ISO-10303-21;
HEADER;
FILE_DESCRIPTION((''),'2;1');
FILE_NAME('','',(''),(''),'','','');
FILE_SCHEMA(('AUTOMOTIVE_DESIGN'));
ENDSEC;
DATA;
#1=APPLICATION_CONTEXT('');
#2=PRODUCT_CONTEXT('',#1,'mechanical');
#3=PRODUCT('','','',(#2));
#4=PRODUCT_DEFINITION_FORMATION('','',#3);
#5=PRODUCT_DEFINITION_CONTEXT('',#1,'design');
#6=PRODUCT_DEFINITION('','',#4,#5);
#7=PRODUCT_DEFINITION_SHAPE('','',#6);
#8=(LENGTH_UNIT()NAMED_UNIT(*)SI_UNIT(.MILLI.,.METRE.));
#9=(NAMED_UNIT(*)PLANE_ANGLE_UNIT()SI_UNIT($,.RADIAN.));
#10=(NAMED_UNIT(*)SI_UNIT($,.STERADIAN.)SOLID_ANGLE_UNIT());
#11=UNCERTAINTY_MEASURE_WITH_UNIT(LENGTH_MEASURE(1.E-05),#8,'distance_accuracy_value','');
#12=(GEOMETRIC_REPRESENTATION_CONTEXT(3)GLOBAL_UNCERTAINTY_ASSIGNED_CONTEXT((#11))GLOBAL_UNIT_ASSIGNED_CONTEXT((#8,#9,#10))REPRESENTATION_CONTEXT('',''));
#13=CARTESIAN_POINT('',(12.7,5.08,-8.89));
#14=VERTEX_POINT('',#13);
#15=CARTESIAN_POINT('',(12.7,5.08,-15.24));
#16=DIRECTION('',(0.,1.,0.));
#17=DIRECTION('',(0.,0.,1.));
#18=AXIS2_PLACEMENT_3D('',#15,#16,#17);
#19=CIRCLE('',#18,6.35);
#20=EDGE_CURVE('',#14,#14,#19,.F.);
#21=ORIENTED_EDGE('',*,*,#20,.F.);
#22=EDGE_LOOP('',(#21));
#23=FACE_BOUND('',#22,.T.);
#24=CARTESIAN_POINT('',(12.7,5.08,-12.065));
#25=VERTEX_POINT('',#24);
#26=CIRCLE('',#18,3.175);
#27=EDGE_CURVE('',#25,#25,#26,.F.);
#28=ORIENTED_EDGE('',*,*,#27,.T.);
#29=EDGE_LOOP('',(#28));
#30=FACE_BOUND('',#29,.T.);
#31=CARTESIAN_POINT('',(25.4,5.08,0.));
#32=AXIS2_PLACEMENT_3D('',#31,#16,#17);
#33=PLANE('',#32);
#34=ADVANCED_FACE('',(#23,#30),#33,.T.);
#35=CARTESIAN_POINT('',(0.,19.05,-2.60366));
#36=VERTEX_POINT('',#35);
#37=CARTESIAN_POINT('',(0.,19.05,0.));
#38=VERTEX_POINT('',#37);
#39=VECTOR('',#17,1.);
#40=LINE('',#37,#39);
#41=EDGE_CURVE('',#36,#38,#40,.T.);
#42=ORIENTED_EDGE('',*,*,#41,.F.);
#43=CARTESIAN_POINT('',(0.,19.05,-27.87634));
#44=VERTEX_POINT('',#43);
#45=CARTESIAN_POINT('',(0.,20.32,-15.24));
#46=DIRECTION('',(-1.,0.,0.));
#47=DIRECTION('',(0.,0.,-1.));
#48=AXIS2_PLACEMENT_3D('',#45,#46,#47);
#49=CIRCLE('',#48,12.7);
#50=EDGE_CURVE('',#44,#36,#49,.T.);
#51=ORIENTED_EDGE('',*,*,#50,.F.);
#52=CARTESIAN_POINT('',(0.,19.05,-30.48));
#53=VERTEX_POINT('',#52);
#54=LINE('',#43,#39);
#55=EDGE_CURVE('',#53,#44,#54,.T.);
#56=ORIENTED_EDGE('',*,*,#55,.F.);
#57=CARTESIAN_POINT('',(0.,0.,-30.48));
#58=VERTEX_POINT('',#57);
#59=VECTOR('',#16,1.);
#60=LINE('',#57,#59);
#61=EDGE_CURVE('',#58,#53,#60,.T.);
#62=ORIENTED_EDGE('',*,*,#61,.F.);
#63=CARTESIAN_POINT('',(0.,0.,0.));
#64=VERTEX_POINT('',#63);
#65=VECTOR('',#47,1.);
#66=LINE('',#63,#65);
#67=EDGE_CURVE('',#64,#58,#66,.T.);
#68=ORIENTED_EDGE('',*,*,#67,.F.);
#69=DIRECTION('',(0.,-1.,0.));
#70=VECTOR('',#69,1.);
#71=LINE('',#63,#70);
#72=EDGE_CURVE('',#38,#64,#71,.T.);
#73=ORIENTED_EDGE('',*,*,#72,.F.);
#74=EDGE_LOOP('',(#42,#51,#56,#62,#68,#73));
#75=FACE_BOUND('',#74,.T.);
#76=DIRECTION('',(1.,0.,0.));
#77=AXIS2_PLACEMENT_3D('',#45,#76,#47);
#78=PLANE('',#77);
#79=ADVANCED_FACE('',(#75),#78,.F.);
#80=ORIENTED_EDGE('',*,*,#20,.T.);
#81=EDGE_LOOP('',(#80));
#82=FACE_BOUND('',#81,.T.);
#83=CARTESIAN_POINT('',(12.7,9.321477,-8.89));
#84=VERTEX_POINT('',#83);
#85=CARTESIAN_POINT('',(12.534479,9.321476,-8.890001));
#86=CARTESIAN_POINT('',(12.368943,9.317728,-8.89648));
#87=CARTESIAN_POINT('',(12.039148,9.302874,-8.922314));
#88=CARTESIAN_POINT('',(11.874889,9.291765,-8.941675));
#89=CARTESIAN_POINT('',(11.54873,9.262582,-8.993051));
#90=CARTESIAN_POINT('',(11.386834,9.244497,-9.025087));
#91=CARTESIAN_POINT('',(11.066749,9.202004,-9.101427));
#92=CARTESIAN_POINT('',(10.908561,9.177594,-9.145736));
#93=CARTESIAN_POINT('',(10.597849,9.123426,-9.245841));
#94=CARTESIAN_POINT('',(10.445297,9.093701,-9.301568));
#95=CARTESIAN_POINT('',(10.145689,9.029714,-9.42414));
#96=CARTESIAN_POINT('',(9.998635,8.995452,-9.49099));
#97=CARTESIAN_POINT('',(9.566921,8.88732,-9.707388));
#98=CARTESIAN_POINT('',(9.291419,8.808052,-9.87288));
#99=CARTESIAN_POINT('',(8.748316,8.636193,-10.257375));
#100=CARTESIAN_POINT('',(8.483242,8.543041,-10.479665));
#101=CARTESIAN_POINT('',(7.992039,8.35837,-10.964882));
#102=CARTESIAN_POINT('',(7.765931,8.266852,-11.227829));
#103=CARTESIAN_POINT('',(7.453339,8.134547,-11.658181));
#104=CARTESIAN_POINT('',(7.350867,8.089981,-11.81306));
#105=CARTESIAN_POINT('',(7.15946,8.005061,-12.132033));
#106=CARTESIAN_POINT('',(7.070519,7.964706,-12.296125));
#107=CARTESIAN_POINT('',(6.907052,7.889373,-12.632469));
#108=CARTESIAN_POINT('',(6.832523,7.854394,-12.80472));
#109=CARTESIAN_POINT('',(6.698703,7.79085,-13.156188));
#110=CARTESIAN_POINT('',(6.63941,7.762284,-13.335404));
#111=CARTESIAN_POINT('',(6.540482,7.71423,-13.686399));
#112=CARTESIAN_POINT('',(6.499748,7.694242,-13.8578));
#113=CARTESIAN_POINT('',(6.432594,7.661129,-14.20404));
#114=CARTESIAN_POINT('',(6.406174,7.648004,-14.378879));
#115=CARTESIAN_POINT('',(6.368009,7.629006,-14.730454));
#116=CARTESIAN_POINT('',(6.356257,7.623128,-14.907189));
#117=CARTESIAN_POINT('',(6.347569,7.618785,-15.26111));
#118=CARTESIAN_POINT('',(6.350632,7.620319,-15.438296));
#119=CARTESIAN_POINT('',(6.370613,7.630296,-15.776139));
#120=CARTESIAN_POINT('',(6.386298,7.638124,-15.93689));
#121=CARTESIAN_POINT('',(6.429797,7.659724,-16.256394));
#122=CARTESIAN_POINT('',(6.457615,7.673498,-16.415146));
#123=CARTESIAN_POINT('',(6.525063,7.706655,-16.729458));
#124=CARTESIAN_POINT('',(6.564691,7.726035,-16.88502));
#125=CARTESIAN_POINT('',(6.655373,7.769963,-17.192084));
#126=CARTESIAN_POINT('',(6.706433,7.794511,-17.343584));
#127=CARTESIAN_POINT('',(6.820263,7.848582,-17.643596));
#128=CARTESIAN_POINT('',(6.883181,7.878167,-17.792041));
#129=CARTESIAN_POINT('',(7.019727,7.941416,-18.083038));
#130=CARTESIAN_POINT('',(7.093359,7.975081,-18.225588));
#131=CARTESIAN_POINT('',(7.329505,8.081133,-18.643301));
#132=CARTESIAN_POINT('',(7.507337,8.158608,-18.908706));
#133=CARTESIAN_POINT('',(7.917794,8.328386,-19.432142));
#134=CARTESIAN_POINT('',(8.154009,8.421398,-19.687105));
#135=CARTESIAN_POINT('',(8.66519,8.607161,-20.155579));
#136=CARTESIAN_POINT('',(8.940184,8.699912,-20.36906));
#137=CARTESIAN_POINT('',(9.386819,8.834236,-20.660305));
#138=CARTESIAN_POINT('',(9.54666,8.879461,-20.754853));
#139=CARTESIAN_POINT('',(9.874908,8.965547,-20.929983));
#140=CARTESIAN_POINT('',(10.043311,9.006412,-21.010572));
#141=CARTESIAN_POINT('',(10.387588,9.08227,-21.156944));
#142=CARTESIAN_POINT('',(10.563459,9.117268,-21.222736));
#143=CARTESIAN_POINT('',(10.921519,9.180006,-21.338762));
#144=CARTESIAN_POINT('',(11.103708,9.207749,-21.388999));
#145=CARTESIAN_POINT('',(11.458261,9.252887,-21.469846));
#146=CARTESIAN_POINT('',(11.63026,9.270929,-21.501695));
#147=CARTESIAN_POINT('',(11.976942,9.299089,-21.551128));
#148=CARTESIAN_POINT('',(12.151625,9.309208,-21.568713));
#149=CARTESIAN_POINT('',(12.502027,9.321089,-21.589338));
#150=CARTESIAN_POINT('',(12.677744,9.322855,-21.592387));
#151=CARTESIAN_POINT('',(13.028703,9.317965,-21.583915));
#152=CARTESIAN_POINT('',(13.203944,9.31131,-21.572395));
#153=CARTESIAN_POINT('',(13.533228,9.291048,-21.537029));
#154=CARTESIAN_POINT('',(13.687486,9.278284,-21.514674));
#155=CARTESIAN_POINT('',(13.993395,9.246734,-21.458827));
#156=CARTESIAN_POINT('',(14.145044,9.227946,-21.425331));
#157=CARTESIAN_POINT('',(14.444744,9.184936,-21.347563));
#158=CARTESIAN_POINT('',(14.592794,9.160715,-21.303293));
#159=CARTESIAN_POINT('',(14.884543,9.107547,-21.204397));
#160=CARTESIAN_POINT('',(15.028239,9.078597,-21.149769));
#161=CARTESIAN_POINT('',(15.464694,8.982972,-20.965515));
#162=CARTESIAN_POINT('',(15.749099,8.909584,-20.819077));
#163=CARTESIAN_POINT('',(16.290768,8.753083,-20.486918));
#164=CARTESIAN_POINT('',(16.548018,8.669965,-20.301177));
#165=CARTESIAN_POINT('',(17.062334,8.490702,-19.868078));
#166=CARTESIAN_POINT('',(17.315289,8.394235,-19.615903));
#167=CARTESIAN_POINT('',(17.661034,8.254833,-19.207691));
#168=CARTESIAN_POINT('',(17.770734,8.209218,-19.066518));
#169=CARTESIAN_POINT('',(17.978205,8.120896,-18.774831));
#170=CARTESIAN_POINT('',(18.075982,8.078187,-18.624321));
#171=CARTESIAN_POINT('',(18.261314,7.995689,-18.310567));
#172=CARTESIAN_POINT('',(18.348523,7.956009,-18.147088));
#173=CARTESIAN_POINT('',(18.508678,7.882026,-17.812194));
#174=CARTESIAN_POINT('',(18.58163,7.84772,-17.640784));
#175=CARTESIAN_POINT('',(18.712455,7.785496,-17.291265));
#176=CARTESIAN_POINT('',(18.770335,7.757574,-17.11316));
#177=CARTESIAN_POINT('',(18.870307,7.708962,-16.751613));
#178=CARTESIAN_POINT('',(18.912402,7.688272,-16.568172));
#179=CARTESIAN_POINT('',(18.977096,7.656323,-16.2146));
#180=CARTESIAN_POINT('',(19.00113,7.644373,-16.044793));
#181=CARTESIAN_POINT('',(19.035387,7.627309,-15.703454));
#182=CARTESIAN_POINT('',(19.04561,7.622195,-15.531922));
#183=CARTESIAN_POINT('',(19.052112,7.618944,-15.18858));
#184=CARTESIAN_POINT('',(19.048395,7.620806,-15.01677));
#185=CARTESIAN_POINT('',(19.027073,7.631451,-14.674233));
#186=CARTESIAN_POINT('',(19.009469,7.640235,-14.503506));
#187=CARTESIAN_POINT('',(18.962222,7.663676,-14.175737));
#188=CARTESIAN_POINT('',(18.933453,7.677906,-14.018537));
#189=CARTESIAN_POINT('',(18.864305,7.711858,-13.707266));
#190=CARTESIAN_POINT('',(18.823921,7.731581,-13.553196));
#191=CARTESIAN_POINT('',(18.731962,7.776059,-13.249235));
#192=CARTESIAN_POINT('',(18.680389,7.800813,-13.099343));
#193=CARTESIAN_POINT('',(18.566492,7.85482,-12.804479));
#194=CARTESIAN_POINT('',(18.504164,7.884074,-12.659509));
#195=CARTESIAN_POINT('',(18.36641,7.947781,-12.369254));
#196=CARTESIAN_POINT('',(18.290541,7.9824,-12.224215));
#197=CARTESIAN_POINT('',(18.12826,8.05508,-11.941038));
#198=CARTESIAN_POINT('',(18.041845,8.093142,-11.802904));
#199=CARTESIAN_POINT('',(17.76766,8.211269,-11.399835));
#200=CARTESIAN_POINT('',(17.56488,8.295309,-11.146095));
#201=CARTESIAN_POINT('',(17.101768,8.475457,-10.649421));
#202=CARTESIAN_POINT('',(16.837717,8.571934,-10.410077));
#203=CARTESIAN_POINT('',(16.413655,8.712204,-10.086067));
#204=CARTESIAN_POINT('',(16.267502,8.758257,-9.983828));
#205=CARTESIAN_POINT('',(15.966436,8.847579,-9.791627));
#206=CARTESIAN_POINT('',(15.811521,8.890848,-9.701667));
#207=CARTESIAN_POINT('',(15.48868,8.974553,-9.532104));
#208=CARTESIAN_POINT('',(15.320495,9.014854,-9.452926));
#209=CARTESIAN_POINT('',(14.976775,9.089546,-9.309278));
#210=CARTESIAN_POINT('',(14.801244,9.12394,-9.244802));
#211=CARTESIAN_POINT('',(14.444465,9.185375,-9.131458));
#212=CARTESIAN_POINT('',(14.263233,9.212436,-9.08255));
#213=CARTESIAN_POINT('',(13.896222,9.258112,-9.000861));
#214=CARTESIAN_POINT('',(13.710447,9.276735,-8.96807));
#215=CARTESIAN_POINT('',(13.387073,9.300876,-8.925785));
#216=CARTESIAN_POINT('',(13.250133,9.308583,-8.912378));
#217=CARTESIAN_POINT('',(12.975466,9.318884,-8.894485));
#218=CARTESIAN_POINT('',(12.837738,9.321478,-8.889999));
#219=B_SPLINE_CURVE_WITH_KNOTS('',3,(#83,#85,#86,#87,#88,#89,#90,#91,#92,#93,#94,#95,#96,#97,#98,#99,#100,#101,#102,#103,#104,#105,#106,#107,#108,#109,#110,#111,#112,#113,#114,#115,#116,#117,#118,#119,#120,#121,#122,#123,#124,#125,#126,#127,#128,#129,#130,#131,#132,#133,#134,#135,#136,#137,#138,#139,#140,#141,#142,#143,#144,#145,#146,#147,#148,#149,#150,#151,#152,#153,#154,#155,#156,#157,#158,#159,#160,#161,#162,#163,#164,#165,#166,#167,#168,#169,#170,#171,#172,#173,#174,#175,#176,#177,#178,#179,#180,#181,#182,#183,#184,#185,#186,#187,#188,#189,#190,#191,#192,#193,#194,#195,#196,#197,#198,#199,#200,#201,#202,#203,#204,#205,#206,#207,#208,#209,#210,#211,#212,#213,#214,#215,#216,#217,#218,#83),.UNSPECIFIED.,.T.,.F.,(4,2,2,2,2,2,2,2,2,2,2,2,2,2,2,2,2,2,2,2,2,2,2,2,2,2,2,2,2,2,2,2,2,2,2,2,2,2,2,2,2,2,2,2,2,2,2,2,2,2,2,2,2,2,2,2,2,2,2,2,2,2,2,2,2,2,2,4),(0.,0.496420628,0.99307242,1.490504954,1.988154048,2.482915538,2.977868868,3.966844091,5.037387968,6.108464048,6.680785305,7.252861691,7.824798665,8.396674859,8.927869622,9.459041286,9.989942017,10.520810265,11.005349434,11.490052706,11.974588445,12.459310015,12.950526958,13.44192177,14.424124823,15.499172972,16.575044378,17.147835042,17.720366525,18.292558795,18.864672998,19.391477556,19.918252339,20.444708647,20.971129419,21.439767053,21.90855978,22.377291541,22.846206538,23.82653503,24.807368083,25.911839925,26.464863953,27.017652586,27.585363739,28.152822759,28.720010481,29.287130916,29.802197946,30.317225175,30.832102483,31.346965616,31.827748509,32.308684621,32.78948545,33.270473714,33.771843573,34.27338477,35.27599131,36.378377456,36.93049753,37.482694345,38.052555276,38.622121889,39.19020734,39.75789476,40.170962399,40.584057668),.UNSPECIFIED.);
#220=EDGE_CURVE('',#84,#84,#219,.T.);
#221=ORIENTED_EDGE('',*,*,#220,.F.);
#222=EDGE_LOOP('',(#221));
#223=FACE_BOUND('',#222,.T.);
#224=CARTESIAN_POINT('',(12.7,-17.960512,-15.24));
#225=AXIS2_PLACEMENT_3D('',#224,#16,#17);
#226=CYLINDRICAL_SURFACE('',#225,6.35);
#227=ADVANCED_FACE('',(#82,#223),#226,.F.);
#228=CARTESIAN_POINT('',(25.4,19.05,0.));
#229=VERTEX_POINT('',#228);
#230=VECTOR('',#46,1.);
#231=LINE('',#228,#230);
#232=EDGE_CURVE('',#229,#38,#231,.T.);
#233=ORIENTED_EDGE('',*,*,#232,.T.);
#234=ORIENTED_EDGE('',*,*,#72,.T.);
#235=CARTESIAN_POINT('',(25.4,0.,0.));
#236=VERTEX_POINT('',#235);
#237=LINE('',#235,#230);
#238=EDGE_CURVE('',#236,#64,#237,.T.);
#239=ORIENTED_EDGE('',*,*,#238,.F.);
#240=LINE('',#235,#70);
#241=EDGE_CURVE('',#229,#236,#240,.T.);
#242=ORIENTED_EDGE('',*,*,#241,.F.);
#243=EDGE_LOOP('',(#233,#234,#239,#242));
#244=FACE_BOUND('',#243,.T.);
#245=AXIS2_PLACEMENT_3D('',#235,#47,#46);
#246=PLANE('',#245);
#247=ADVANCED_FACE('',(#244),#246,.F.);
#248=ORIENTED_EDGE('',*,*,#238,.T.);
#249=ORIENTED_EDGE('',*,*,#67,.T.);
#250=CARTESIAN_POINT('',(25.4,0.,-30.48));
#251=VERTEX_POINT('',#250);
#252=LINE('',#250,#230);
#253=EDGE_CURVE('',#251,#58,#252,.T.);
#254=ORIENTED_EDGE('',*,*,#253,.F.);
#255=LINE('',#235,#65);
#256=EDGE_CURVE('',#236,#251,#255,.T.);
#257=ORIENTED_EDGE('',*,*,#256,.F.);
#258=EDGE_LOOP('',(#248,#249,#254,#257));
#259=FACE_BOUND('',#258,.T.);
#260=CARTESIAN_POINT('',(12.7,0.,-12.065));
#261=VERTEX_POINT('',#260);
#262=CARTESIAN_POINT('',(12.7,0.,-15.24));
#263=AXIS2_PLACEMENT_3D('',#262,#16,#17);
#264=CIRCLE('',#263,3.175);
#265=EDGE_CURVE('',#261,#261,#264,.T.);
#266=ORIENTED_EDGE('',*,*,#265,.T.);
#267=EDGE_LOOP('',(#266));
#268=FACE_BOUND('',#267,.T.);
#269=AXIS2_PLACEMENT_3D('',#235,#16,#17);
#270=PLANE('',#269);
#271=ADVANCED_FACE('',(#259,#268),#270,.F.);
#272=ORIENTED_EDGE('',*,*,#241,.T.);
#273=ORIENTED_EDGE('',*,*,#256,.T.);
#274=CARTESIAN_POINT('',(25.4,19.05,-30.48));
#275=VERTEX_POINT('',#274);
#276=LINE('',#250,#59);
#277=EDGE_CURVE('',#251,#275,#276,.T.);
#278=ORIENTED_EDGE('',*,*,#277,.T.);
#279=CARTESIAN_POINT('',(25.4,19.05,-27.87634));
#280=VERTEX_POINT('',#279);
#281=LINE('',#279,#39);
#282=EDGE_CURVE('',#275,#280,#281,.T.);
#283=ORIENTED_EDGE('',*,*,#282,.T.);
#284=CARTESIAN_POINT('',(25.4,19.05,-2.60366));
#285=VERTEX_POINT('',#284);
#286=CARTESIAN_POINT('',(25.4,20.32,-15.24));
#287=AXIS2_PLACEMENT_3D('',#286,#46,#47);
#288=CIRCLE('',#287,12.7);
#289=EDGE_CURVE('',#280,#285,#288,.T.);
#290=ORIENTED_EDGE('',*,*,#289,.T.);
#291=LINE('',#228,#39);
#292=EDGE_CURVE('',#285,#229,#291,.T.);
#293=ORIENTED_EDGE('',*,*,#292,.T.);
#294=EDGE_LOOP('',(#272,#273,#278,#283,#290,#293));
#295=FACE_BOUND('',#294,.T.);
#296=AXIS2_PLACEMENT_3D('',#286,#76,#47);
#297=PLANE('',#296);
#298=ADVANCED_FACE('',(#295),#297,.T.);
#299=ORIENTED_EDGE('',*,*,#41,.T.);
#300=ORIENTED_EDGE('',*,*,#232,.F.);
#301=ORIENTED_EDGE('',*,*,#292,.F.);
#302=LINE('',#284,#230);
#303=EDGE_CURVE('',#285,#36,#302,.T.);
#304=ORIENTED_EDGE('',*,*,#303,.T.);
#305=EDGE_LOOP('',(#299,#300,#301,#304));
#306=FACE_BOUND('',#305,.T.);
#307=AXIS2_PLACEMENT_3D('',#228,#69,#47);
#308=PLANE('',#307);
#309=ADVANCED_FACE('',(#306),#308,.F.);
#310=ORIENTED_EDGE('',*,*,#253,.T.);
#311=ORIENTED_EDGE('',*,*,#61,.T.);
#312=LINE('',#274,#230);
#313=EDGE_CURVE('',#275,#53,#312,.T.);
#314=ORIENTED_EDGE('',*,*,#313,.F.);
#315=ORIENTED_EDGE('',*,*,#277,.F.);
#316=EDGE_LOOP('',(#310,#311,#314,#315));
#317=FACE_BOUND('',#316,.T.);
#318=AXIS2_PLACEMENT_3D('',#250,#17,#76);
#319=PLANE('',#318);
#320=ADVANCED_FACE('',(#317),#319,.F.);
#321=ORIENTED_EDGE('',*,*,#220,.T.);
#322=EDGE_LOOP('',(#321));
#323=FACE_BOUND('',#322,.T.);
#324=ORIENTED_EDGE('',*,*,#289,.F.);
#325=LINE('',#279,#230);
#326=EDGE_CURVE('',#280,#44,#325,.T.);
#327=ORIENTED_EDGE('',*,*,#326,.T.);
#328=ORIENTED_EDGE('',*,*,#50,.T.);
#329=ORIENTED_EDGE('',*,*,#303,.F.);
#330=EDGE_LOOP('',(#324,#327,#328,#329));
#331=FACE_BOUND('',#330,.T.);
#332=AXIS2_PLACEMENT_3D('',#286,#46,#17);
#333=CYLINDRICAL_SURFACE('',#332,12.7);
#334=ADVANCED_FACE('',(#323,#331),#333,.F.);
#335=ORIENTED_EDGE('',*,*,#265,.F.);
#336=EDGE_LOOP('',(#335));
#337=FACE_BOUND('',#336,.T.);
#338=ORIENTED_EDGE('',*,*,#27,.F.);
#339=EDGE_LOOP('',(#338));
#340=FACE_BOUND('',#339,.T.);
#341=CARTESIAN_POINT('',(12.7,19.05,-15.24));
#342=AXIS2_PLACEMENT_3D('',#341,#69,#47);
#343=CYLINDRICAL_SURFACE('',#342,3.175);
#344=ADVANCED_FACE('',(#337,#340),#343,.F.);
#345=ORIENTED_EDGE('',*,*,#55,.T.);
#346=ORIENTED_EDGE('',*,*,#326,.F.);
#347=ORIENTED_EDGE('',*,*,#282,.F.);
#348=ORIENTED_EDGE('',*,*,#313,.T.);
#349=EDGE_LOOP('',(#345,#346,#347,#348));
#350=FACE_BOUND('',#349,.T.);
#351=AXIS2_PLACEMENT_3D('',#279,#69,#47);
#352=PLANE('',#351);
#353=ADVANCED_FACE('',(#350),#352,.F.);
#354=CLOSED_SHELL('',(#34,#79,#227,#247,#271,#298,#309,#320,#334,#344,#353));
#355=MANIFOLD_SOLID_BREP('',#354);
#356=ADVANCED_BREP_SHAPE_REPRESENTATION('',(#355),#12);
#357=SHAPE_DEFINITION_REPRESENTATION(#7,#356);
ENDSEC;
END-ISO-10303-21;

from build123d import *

# Parameters (mm, degrees)
BOSS_EXTRUDE1_DEPTH     = 25.4
CUT_EXTRUDE1_DEPTH      = 45.012417566
CUT_EXTRUDE1_DEPTH_BACK = 45.012417566
SKETCH2_R               = 3.175
SKETCH3_R               = 6.35
CUT_EXTRUDE3_DEPTH      = 13.97


with BuildPart() as part:
    # Sketch1 → Boss-Extrude1 (new body)
    with BuildSketch(Plane(origin=(0, 0, 0), x_dir=(0, 0, -1), z_dir=(1, 0, 0))):
        with BuildLine():
            Line((27.876340451, 19.05), (30.48, 19.05))
            Line((30.48, 19.05), (30.48, 0))
            Line((30.48, 0), (0, 0))
            Line((0, 0), (0, 19.05))
            Line((0, 19.05), (2.603659549, 19.05))
            ThreePointArc((2.603659549, 19.05), (15.24, 7.62), (27.876340451, 19.05))
        make_face()
    extrude(amount=BOSS_EXTRUDE1_DEPTH)

    # Sketch2 → Cut-Extrude1 (cut, two sides: drawn at the far end of the back side and taken through both)
    with BuildSketch(Plane.XZ.offset(-CUT_EXTRUDE1_DEPTH_BACK)):
        with Locations(Location((12.7, -15.24, 0), (0, 0, 270))):
            Circle(SKETCH2_R)
    extrude(amount=CUT_EXTRUDE1_DEPTH + CUT_EXTRUDE1_DEPTH_BACK, mode=Mode.SUBTRACT)

    # Sketch3 → Cut-Extrude3 (cut)
    with BuildSketch(Plane(origin=(0, 19.05, 0), x_dir=(1, 0, 0), z_dir=(0, 1, 0))):
        with Locations(Location((12.7, 15.24, 0), (0, 0, 270))):
            Circle(SKETCH3_R)
    extrude(amount=-CUT_EXTRUDE3_DEPTH, mode=Mode.SUBTRACT)


solid = part.part
